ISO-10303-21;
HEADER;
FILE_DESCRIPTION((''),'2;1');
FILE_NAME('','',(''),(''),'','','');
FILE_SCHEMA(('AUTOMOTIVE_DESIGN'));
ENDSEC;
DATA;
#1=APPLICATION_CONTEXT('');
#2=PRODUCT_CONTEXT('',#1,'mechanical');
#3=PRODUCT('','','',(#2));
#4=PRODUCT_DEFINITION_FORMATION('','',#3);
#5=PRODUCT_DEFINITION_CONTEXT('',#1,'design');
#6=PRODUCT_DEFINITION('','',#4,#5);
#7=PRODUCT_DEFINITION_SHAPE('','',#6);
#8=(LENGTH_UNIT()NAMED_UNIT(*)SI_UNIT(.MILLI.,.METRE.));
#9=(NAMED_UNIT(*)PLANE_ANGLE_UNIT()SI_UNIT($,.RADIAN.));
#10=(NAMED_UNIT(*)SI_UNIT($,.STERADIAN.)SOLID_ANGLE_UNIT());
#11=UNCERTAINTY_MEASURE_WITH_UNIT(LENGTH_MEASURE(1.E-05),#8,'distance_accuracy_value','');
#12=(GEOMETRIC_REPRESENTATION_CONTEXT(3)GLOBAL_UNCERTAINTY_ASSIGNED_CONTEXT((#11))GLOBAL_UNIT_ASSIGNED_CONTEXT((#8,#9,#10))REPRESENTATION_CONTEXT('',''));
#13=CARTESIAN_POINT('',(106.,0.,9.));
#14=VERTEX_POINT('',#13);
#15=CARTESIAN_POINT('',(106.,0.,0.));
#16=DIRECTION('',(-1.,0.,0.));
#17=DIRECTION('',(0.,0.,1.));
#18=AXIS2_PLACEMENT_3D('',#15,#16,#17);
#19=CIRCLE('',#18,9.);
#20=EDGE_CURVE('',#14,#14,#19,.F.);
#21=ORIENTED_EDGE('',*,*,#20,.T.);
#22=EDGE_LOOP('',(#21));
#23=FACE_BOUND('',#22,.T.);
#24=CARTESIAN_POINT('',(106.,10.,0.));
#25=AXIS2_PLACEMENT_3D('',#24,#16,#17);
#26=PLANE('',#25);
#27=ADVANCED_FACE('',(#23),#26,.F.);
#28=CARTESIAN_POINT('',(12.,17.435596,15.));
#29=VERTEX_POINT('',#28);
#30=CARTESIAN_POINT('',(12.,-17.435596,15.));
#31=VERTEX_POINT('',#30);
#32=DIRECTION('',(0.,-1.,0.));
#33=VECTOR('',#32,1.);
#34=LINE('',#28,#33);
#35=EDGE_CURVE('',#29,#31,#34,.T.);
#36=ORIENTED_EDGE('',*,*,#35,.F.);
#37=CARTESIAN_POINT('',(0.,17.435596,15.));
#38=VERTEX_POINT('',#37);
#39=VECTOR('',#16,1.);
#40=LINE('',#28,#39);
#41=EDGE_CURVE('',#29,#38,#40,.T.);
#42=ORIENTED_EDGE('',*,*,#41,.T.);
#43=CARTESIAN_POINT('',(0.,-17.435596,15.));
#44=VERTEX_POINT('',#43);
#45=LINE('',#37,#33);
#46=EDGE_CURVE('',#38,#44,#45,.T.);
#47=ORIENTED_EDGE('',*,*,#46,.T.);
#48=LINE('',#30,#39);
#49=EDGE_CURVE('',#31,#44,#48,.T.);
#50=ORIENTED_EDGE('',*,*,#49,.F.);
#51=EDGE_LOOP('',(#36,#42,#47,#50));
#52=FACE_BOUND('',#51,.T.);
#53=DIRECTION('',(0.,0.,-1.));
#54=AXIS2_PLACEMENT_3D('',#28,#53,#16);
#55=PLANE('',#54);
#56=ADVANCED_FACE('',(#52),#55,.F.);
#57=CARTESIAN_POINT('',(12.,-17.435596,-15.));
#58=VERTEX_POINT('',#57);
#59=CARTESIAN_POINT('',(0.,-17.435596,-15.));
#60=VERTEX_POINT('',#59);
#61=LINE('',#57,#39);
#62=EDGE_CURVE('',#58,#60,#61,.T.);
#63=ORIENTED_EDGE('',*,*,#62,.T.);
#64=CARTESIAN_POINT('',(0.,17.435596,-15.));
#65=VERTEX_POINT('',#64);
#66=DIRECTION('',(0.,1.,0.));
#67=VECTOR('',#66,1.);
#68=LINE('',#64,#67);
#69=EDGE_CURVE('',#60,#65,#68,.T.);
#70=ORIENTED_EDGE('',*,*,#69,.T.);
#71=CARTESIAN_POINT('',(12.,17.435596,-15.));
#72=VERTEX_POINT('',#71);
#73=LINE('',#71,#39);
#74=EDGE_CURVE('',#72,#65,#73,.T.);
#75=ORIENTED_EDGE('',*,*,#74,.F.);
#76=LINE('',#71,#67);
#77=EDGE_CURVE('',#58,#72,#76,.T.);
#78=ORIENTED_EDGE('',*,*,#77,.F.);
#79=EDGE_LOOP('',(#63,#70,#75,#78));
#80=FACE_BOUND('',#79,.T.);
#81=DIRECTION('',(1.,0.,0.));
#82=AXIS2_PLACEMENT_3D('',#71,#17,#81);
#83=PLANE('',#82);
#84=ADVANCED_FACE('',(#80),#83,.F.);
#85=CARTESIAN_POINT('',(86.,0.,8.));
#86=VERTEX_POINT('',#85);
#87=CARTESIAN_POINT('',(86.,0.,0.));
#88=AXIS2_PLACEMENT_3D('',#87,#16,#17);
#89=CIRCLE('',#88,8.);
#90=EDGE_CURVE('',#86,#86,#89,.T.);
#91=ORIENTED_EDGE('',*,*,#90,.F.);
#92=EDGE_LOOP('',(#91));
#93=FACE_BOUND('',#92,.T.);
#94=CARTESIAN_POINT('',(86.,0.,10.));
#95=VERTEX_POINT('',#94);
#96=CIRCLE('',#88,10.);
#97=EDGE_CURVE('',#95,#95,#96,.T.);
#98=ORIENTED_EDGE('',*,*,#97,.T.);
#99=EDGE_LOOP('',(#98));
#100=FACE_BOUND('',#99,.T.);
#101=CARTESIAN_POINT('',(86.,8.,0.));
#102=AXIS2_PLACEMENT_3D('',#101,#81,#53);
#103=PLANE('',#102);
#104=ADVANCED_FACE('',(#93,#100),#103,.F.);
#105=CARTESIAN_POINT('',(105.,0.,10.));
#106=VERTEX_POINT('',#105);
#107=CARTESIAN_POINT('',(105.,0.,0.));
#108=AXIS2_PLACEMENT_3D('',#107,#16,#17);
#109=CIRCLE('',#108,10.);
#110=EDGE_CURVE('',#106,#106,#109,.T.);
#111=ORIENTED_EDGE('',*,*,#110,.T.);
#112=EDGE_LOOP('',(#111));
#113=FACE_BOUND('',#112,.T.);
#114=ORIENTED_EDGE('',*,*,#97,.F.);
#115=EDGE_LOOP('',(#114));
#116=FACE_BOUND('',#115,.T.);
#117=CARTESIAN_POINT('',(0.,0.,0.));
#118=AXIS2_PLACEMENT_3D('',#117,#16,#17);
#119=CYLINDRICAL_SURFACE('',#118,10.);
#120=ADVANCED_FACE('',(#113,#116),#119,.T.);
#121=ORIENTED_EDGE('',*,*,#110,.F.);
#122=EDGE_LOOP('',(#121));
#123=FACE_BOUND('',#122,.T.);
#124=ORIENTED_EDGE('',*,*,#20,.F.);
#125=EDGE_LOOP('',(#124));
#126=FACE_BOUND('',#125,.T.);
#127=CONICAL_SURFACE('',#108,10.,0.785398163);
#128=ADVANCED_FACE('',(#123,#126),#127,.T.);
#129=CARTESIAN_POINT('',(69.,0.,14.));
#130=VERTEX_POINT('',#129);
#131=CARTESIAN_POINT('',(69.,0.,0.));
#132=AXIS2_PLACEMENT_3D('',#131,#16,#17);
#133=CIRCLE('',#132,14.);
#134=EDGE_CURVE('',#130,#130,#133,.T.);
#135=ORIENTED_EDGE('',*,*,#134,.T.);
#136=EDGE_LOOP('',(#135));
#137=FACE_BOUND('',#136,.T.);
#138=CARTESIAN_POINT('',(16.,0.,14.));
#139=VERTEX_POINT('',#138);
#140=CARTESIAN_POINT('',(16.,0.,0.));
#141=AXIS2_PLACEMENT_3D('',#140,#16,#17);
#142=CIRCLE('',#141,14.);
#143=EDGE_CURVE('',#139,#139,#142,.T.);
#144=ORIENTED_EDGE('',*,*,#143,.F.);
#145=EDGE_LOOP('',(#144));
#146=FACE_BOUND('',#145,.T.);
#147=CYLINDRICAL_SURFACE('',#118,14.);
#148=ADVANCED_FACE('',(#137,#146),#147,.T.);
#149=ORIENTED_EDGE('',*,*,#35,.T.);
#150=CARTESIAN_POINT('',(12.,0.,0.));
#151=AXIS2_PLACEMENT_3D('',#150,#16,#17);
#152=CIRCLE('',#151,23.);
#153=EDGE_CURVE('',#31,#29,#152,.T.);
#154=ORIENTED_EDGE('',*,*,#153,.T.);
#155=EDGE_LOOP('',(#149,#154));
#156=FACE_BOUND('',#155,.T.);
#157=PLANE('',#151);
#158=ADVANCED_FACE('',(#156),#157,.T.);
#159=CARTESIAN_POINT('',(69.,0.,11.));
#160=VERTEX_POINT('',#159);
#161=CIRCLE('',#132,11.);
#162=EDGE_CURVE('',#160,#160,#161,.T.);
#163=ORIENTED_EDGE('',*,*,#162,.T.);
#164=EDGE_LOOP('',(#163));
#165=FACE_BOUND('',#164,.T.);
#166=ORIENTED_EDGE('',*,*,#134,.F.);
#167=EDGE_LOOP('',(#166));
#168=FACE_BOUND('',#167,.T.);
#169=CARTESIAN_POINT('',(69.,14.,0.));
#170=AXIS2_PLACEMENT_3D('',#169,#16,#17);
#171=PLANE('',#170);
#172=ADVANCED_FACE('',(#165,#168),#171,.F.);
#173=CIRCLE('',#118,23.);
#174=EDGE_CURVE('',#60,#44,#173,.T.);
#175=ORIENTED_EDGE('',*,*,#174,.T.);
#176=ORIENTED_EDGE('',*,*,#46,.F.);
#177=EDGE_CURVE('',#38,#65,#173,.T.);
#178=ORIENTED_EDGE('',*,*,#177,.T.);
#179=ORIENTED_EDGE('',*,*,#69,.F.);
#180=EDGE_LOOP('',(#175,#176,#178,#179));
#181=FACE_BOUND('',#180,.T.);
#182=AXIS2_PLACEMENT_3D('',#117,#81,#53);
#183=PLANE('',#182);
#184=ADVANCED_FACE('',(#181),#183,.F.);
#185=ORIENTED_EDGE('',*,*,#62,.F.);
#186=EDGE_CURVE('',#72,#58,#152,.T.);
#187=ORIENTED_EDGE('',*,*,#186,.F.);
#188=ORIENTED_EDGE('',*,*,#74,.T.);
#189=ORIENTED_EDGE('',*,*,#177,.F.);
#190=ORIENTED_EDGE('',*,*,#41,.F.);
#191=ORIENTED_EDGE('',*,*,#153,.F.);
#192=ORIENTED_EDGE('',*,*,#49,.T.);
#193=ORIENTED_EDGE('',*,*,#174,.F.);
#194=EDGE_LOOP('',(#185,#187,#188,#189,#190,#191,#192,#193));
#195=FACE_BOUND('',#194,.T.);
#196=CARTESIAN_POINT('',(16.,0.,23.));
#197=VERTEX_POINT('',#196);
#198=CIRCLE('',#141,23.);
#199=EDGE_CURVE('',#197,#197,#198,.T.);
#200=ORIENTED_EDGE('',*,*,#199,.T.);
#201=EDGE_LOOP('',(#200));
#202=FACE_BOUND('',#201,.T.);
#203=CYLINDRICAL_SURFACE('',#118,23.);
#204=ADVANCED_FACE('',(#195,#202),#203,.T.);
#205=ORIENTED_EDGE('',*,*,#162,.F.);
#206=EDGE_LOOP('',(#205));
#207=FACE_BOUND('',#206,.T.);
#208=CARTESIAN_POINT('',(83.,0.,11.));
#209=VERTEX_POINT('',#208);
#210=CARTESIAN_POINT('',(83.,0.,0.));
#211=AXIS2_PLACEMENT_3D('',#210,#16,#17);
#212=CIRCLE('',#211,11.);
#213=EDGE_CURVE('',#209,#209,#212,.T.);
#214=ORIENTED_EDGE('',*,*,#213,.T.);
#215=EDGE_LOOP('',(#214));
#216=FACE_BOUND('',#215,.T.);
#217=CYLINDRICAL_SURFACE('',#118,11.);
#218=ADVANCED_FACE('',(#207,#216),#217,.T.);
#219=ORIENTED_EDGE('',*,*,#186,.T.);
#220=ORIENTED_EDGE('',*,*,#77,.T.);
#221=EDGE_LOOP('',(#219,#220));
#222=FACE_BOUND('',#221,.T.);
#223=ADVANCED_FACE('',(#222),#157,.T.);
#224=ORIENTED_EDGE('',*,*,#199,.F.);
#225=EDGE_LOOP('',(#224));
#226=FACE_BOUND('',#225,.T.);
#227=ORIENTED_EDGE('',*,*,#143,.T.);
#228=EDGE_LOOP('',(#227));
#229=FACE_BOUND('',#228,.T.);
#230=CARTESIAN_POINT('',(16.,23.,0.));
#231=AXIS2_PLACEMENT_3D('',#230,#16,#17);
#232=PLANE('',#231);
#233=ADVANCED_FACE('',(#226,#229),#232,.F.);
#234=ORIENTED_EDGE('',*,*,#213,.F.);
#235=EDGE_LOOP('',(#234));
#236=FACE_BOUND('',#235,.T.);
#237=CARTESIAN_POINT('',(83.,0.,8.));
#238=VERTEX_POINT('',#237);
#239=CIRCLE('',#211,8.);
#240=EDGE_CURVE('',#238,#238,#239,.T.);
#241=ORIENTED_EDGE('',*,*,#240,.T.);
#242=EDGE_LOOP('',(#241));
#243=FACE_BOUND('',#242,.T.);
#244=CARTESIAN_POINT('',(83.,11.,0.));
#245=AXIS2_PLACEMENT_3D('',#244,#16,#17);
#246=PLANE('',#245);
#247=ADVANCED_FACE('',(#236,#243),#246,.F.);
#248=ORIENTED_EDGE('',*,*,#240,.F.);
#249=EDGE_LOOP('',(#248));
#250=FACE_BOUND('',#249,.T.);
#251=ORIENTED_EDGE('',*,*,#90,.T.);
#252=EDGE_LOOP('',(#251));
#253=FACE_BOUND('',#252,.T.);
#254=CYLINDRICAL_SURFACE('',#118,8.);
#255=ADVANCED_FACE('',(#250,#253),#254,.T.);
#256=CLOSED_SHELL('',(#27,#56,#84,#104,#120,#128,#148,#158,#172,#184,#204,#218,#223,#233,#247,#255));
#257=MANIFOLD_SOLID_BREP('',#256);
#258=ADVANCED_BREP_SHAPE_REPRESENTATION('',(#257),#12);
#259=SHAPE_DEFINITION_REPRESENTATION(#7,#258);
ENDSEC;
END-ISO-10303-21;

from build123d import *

# Parameters (mm, degrees)
CHAMFER1_SIZE      = 1
CUT_EXTRUDE1_START = -12
CUT_EXTRUDE1_DEPTH = 12


with BuildPart() as part:
    # Sketch1 → Revolve1 (revolve)
    with BuildSketch(Plane.XY):
        Polygon((0, 0), (0, 23), (16, 23), (16, 14), (69, 14), (69, 11), (83, 11), (83, 8), (86, 8), (86, 10), (106, 10), (106, 0), align=None)
    revolve(axis=Axis((0, 0, 0), (1, 0, 0)))

    # Chamfer1
    chamfer1_edges = [part.edges().sort_by_distance(p)[0] for p in [
        (106, -10, 0),
    ]]
    chamfer(chamfer1_edges, length=CHAMFER1_SIZE)

    # Sketch2 → Cut-Extrude1 (cut)
    with BuildSketch(Plane.ZY.offset(CUT_EXTRUDE1_START)):
        with BuildLine():
            Line((-15, 17.435595774), (-15, -17.435595774))
            ThreePointArc((-15, -17.435595774), (-23, 0), (-15, 17.435595774))
        make_face()
        with BuildLine():
            Line((15, 17.435595774), (15, -17.435595774))
            ThreePointArc((15, -17.435595774), (23, 0), (15, 17.435595774))
        make_face()
    extrude(amount=CUT_EXTRUDE1_DEPTH, mode=Mode.SUBTRACT)


solid = part.part
